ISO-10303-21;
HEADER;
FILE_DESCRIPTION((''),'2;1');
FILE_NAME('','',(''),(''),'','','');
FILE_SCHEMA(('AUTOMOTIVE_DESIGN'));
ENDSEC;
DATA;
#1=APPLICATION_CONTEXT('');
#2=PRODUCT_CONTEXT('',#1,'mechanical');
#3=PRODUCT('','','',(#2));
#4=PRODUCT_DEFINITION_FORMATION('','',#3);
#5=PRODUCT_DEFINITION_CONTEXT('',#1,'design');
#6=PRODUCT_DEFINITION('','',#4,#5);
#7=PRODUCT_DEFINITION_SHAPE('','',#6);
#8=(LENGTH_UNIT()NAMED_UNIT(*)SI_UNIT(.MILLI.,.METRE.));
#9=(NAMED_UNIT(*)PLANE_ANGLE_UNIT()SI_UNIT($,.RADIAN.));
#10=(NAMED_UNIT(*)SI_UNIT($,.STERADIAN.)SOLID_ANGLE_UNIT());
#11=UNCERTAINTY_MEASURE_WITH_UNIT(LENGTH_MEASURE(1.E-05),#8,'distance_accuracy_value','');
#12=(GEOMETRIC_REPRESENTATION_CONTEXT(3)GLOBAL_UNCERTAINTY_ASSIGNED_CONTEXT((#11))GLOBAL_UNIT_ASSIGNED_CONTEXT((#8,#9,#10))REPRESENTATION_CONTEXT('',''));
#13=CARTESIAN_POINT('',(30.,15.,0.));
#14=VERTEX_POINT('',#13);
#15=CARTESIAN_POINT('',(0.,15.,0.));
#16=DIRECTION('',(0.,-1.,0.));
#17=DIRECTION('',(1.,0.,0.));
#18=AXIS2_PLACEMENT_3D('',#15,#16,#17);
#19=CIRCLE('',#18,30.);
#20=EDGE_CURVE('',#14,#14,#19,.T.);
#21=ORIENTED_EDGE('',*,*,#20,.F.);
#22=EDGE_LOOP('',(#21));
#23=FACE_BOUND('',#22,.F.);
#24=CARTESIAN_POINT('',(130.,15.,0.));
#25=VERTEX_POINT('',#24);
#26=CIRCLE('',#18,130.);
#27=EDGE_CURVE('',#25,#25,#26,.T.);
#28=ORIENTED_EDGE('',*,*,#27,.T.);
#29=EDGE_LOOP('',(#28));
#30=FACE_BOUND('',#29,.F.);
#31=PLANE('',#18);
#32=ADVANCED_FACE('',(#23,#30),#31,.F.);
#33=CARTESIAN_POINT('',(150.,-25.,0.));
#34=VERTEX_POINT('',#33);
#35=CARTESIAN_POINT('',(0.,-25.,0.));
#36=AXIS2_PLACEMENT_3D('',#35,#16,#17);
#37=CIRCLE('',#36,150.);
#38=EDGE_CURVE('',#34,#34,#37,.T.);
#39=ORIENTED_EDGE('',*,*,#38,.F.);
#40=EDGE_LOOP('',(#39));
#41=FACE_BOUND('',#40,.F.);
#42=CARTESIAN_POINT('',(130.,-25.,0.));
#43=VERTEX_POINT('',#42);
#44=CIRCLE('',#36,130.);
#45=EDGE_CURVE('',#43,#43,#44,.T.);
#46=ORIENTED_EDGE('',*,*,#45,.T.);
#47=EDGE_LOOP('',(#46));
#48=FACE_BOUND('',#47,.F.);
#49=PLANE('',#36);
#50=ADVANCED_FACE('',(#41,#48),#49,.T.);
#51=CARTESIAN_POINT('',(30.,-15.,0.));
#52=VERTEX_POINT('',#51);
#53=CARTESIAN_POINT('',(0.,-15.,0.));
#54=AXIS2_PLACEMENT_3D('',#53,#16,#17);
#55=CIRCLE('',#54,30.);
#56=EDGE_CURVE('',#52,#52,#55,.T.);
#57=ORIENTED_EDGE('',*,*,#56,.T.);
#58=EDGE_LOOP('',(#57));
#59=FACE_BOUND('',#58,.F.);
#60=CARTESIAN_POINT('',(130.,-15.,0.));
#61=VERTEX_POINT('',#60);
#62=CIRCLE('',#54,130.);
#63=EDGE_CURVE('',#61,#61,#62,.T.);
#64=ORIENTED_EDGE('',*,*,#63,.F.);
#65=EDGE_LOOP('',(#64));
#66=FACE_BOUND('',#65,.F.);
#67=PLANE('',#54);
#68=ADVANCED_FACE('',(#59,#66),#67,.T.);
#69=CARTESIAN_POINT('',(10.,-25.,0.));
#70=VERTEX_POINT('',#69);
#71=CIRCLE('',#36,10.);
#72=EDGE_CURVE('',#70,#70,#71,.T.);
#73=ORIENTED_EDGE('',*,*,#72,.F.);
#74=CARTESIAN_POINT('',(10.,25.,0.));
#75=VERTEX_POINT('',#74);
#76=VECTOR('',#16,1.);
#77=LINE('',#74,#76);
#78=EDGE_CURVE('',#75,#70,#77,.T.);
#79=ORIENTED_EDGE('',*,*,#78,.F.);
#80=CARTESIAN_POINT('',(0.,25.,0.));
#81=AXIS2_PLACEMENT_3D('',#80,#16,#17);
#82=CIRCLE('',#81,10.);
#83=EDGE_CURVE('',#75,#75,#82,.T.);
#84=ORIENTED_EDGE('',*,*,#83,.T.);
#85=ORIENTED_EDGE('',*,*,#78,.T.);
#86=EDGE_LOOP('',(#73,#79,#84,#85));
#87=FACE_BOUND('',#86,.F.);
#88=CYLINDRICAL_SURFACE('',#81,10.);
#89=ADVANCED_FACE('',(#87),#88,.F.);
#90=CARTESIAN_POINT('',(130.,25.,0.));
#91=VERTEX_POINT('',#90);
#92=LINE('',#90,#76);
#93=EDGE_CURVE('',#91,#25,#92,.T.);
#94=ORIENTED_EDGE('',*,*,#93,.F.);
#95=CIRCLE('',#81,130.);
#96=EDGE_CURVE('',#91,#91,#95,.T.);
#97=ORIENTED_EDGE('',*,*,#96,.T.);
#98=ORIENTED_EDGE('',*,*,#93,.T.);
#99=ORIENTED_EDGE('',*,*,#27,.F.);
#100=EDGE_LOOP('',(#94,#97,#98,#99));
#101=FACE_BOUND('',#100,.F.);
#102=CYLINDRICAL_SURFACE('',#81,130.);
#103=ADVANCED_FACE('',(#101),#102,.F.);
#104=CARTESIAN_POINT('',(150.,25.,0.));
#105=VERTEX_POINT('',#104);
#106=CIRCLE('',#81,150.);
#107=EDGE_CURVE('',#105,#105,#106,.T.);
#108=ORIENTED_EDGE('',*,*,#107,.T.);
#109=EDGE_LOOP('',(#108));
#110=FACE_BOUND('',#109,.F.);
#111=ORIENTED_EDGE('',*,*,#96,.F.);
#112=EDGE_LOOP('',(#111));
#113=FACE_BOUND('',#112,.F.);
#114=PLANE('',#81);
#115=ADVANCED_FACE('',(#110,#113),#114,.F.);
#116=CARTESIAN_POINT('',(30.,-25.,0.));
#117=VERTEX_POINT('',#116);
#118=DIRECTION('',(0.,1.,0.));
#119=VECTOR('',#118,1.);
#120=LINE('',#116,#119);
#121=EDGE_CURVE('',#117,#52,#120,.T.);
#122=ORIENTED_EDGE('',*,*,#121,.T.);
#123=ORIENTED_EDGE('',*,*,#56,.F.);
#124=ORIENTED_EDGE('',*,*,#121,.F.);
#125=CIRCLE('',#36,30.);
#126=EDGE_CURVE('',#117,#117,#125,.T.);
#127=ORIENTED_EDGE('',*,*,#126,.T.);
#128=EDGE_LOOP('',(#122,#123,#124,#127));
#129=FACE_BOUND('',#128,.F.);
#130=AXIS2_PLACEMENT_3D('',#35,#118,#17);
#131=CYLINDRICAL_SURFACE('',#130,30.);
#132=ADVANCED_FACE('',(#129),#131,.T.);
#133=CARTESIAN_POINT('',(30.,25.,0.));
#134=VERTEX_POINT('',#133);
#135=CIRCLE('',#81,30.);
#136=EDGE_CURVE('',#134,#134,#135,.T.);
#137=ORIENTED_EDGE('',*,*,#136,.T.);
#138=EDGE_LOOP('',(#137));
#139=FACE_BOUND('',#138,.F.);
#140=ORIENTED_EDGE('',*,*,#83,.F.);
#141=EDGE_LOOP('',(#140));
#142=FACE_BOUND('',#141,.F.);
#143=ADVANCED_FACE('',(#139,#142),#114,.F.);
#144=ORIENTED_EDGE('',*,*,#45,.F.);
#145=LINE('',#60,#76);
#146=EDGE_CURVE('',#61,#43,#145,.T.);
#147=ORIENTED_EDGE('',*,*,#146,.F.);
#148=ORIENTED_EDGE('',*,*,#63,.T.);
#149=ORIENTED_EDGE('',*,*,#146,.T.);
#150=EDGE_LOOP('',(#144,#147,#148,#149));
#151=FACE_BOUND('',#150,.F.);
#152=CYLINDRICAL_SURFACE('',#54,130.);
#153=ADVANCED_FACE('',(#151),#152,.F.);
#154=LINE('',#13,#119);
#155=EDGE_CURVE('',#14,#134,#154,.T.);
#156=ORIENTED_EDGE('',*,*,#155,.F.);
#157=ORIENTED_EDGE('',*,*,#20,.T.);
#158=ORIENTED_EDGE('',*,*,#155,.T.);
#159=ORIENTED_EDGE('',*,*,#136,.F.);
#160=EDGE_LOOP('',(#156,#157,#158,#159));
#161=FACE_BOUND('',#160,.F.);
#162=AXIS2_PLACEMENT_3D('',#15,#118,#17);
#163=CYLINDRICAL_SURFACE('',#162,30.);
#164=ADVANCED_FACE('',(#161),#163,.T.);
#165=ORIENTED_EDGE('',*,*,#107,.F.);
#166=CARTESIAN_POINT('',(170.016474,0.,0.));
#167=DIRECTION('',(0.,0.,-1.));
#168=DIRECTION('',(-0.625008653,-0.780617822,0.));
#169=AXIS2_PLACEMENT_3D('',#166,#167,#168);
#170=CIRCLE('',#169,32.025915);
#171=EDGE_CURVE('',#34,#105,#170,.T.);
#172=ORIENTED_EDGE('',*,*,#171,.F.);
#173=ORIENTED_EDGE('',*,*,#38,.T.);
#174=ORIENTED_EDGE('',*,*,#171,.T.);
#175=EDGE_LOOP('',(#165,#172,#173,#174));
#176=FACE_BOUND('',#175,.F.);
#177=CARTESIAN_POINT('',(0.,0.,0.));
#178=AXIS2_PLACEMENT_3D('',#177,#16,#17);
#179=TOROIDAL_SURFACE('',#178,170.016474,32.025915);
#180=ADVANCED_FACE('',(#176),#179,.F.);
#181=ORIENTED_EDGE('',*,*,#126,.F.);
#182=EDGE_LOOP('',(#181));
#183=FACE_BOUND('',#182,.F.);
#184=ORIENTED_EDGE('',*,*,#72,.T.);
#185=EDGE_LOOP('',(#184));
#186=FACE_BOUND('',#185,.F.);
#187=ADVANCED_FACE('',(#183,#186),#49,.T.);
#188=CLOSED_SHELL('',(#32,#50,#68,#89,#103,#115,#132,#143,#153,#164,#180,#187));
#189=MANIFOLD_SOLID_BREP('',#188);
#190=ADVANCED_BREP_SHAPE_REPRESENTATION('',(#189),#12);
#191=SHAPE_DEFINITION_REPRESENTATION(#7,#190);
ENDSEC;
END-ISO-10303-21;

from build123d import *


with BuildPart() as f1:
    # F0 (on Top) → F1 (revolve)
    with BuildSketch(Plane.XY):
        with BuildLine():
            Line((30, 25), (10, 25))
            Line((10, 25), (10, 0))
            Line((10, 0), (10, -25))
            Line((10, -25), (30, -25))
            Line((30, -25), (30, -15))
            Line((30, -15), (130, -15))
            Line((130, -15), (130, -25))
            Line((130, -25), (150, -25))
            ThreePointArc((150, -25), (137.990559, 0), (150, 25))
            Line((150, 25), (130, 25))
            Line((130, 25), (130, 15))
            Line((130, 15), (30, 15))
            Line((30, 15), (30, 25))
        make_face()
    revolve(axis=Axis((0, -2.328163, 0), (0, -1, 0)))


solid = f1.part
